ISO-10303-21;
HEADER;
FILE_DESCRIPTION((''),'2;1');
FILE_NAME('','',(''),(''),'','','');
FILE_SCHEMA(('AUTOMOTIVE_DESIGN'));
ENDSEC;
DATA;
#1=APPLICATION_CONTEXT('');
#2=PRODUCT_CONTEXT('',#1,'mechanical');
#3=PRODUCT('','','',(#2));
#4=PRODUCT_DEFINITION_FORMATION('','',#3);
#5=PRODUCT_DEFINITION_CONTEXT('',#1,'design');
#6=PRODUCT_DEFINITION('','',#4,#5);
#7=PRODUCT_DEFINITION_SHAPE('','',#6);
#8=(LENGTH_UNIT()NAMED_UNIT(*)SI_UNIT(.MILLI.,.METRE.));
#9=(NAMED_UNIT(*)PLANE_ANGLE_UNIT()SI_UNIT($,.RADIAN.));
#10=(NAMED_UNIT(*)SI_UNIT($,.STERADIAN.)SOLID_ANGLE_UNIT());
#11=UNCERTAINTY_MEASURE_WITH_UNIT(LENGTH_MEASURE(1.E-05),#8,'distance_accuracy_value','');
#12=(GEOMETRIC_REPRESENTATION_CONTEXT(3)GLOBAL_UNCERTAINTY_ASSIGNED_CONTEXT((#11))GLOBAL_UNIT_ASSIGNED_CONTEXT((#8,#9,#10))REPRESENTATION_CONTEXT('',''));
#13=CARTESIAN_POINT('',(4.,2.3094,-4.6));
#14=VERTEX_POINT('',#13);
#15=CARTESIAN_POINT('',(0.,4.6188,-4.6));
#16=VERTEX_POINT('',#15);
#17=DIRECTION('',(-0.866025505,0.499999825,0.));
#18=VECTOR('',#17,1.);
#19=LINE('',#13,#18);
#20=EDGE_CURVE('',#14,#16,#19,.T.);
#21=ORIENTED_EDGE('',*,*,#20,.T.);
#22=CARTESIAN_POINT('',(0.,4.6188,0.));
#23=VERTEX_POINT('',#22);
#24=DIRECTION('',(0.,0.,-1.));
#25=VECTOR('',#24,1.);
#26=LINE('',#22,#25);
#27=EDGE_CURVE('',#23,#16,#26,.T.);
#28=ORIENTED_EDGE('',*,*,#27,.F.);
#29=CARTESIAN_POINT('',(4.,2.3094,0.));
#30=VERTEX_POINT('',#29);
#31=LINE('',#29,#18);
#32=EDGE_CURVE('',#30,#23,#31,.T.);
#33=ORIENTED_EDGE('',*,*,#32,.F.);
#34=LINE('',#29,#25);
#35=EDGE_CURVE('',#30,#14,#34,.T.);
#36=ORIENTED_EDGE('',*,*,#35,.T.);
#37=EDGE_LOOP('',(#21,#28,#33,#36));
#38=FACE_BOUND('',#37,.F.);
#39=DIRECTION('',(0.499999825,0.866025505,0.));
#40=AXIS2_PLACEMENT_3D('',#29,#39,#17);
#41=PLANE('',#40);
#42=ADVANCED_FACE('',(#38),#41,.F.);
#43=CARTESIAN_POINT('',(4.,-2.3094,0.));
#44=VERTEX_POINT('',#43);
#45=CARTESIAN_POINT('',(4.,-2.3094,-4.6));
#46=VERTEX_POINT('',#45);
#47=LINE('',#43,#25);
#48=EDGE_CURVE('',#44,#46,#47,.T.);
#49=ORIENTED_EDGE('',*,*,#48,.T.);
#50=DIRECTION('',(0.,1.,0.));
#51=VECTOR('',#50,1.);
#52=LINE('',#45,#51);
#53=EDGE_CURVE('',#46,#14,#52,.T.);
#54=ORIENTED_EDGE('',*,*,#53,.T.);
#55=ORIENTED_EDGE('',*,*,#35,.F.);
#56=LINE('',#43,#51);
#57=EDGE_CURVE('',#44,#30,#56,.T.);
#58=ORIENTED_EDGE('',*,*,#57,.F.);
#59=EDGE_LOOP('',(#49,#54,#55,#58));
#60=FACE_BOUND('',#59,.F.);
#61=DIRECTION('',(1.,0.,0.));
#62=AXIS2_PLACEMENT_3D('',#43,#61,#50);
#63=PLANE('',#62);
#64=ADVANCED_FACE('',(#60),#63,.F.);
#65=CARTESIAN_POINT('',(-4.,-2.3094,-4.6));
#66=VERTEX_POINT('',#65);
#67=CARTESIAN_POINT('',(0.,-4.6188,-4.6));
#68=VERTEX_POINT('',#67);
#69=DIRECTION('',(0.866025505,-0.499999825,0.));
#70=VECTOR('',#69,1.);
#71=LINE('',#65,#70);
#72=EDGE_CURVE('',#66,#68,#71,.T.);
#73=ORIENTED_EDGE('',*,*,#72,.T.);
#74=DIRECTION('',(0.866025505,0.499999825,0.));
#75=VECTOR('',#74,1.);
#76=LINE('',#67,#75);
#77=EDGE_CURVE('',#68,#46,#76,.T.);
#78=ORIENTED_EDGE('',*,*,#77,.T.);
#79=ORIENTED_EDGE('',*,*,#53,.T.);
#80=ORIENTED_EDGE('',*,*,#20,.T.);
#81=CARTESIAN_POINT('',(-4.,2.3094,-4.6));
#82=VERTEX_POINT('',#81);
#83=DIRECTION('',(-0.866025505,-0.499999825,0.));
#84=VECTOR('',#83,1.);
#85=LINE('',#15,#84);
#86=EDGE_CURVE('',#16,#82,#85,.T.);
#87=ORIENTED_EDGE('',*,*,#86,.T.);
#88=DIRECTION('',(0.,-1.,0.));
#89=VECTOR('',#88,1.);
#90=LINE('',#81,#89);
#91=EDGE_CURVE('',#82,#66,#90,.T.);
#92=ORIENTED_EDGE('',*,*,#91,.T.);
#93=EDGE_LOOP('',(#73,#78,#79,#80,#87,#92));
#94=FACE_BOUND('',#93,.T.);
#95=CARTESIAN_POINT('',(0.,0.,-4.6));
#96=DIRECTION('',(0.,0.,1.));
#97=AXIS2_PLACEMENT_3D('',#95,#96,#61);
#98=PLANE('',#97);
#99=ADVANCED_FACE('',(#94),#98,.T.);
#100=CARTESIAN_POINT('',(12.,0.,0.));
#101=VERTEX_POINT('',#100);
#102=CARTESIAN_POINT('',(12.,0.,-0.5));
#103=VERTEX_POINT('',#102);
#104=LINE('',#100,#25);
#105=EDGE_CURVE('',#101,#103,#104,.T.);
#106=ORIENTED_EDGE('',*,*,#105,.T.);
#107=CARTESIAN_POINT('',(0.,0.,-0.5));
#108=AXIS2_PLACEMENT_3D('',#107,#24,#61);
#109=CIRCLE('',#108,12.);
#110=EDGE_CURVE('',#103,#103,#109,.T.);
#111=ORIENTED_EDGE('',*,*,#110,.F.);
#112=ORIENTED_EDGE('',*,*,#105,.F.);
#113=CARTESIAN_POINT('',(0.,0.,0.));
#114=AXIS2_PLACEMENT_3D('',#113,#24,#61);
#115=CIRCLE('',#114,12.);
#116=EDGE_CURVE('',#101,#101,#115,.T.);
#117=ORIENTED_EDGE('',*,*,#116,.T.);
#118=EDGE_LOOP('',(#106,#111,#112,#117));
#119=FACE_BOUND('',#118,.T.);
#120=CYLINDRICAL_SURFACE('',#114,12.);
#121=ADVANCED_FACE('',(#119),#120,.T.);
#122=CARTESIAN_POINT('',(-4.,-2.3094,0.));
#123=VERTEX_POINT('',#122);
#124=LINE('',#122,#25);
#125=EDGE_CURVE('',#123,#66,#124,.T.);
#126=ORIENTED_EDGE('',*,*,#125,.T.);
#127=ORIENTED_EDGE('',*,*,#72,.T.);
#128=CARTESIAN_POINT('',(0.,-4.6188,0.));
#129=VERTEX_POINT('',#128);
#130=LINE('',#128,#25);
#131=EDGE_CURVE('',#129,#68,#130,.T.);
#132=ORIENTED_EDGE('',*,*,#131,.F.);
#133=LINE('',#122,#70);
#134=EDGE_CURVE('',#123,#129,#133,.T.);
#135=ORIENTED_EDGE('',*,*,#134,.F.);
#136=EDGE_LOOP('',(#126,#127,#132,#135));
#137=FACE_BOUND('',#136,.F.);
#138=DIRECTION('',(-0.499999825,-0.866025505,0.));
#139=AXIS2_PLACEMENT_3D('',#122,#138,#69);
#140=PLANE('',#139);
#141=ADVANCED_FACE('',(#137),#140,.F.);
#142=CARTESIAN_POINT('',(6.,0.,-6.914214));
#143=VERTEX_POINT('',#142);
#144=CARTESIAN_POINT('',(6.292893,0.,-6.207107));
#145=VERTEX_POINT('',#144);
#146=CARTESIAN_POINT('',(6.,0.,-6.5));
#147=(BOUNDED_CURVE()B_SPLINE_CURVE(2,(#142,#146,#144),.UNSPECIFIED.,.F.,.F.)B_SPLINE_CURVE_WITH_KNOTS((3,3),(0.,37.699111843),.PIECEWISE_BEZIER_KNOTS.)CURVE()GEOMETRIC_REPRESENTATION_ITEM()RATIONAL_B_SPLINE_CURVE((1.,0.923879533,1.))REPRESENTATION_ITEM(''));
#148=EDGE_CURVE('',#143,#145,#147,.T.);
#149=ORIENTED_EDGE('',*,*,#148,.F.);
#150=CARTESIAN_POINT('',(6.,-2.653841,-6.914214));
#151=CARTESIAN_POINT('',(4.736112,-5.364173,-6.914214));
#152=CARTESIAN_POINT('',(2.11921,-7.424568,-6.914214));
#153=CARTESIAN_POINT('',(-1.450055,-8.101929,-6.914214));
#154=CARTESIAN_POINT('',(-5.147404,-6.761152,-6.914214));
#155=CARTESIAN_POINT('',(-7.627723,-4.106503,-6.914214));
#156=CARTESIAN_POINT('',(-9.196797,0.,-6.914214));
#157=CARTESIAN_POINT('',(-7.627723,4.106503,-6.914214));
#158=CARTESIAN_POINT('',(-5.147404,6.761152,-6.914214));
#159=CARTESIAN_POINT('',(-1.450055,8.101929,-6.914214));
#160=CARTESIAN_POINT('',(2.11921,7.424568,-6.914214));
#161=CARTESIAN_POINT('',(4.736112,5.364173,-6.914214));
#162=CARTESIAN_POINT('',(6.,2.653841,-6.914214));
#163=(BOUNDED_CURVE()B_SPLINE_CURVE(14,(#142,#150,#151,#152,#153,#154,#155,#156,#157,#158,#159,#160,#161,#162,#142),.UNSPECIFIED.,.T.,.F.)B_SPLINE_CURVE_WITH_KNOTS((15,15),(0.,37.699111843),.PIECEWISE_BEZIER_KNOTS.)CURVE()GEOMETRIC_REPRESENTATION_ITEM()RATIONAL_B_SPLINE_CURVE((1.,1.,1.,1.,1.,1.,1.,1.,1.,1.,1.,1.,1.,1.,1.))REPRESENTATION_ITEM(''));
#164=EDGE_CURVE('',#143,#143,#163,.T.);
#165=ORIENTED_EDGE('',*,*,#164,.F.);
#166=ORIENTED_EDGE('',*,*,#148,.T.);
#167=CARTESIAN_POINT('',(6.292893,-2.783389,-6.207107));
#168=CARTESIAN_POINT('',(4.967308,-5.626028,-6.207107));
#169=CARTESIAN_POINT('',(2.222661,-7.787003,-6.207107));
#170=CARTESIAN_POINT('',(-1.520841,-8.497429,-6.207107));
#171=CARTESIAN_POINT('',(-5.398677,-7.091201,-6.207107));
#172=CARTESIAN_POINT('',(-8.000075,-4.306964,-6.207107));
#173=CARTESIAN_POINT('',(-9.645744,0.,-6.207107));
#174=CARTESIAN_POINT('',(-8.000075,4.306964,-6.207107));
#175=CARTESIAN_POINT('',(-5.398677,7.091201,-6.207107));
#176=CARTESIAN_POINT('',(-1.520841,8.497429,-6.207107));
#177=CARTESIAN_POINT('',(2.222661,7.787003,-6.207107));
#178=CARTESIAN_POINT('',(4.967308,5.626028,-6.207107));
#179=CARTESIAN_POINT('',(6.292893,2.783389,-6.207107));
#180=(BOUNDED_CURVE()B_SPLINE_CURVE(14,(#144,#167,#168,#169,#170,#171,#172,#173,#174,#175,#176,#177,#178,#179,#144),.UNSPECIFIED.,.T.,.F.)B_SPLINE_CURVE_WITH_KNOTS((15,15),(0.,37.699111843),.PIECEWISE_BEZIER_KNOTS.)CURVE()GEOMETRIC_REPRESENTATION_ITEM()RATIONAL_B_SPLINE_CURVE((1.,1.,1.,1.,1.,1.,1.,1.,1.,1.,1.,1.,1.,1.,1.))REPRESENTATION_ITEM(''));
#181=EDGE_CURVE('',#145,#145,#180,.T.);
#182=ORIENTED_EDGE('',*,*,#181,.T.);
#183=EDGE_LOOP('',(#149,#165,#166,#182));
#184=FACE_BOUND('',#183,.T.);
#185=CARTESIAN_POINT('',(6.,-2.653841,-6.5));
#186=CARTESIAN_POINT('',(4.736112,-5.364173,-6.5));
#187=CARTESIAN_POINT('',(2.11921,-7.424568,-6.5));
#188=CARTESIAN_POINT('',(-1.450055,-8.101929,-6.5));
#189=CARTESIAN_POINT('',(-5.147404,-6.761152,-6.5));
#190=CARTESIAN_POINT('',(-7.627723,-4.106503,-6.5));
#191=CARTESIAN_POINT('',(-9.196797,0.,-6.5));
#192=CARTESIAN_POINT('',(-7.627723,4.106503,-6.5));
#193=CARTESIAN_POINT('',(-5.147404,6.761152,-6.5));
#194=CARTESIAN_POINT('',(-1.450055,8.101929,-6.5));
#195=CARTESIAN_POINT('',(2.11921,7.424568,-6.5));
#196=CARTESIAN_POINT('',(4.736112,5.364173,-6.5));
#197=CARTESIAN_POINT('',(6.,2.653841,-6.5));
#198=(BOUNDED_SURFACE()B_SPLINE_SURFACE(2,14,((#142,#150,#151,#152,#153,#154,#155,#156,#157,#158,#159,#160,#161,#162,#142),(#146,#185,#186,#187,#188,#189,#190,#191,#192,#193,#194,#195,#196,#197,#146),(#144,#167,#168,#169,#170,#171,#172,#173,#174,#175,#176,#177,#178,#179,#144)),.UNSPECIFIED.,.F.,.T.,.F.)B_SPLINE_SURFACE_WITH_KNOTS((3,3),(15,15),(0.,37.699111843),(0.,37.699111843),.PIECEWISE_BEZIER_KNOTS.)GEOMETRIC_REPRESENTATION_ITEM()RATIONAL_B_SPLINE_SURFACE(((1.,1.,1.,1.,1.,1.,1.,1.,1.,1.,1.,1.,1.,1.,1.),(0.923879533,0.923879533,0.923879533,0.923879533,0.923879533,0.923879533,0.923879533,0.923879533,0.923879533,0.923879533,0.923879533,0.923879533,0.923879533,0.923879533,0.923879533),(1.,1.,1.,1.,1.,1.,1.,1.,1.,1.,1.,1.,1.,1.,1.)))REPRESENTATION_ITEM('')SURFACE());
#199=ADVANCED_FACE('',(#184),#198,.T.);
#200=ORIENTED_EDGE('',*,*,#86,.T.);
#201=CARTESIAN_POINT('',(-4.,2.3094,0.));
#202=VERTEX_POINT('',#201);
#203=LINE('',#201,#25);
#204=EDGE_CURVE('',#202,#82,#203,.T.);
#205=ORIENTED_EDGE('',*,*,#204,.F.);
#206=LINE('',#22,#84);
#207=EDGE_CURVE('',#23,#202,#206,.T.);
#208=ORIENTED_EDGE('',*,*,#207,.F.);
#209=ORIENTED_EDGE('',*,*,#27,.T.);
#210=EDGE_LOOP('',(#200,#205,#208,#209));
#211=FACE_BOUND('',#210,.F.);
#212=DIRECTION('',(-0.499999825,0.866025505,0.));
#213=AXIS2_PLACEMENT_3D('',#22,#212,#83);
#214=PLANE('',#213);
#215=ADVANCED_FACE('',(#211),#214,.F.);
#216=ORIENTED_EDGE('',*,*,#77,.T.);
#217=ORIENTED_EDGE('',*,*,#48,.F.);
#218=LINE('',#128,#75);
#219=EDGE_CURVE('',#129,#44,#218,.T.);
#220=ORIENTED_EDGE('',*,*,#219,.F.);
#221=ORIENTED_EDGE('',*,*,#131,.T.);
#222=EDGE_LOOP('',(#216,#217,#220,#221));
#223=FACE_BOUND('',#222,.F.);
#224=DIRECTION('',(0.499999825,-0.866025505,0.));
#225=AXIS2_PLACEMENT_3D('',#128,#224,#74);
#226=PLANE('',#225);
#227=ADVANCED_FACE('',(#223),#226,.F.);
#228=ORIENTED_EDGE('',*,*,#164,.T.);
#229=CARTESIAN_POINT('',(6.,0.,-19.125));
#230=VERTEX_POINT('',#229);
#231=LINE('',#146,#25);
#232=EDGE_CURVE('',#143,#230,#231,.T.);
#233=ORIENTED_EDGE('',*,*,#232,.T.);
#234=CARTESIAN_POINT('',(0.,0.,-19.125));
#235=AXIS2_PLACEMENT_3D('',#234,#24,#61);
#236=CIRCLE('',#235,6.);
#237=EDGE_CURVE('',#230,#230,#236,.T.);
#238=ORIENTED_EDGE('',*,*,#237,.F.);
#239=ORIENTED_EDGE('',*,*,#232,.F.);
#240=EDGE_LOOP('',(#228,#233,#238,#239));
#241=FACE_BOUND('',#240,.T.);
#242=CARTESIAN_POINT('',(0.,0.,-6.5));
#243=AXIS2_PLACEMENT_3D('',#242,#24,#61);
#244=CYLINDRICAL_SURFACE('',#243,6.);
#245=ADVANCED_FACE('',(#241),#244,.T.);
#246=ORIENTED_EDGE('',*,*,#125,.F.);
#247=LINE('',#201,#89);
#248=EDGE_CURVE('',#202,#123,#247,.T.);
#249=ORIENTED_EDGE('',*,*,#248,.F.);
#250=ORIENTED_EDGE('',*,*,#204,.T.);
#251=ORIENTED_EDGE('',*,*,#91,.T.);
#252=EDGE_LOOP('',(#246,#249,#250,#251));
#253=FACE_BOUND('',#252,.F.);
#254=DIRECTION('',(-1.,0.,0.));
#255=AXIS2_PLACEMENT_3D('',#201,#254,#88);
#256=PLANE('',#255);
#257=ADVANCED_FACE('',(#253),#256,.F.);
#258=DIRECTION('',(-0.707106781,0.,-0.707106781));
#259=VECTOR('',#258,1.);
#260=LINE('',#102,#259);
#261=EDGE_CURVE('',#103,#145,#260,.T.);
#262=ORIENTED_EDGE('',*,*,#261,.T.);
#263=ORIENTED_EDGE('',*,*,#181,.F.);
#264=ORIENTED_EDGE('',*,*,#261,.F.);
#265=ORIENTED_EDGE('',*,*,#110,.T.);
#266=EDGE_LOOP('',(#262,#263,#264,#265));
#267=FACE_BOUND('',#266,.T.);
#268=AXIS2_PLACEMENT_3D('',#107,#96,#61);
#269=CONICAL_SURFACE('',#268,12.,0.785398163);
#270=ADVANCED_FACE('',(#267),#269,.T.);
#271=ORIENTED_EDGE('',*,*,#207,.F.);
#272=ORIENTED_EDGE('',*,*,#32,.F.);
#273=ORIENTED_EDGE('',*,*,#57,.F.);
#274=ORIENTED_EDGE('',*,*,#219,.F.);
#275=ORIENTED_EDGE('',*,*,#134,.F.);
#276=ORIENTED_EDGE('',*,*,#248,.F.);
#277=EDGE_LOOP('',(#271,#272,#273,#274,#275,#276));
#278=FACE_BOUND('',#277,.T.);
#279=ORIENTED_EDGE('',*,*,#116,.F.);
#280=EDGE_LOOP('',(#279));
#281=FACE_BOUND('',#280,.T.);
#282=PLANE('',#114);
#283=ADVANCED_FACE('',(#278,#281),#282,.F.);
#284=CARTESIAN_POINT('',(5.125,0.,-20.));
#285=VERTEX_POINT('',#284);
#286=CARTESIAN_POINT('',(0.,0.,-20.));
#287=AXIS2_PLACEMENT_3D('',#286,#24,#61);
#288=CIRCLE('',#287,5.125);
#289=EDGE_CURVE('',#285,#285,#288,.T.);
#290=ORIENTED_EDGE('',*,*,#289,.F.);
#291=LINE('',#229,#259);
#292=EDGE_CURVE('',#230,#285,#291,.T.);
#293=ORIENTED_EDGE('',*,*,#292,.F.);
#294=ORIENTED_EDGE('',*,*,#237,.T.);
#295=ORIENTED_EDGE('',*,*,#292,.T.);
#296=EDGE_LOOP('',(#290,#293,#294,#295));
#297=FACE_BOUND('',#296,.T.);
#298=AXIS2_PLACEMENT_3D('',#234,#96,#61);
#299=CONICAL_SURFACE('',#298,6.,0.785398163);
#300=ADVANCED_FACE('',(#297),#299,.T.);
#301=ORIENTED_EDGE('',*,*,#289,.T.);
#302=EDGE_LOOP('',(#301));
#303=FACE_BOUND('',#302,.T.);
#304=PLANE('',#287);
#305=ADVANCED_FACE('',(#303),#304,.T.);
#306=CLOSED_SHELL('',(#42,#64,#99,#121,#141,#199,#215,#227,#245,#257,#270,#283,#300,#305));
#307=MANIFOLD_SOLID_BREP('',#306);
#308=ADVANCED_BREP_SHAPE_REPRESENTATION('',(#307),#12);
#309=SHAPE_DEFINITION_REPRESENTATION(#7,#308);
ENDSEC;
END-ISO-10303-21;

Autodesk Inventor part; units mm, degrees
ref_plane "YZ Plane" through (0, 0, 0) normal (1, 0, 0) x (0, 1, 0)
sketch "Sketch1" plane through (0, 0, 0) normal (0, 1, 0) x (-1, 0, 0)
  point P0 (0, 0)
sketch "Sketch2" plane through (0, 0, 0) normal (0, 1, 0) x (-1, 0, 0)
  line L0 (-6, -20) -> (0, -20)
  line L1 (-6, -6.5) -> (-6, -20)
  line L2 (-12, -0.5) -> (-6, -6.5)
  line L3 (-12, 0) -> (-12, -0.5)
  line L4 (0, 0) -> (-12, 0)
  line L5 (0, -20) -> (0, 0)
  line L6 (0, -20) -> (0, 0)
  line L7 (0, -24) -> (0, 4) projected
  line L8 (2.4, 0) -> (-14.4, 0) projected
  dimension "d3" = 12
  dimension "d5" = 6
  dimension "d7" = 20
  dimension "ParC" = 0.5
  dimension "d22" = 0
  dimension "d23" = 0
  dimension "d43" = 45
revolve "Revolution1" add sketch "Sketch2" angle 360 about axis through (0, 0, -20) along (0, 0, -1)
sketch "Sketch3" plane through (0, 0, 0) normal (0, 0, 1) x (1, 0, 0)
  line L0 (-4, 2.3094) -> (-4, -2.3094)
  line L1 (0, 4.6188) -> (-4, 2.3094)
  line L2 (4, 2.3094) -> (0, 4.6188)
  line L3 (4, -2.3094) -> (4, 2.3094)
  line L4 (0, -4.6188) -> (4, -2.3094)
  line L5 (-4, -2.3094) -> (0, -4.6188)
  circle A0 centre (0, 0) radius 4 construction
  circle A1 centre (0, 0) radius 6 construction
  dimension "d11" = 8
  dimension "d13" = 120
  dimension "d15" = 120
extrude "Extrusion1" cut sketch "Sketch3" against normal blind 4.6
fillet "Fillet1" radius 1 1 edges at (-6, 0, -6.5)
chamfer "Chamfer1" distance 0.875 angle 45 1 edges at (-6, 0, -20) measured on face at (5.6201, 2.1011, -15.6381)
thread "Thread1" size "M12x1.75" class "6g" standard "ISO Metric profile" length 10
ref_plane "MSC_PF1" through (0, 0, 0) normal (1, 0, 0) x (0, 1, 0)
ref_plane "MSC_PT1" through (0, 0, 0) normal (0, 0, -1) x (-1, 0, 0)
equation "\"d18\" = r"
equation "\"d19\" = 0.5 * PTC"
equation "\"d39\" = 0.5 * PTC"
equation "\"d3\" = 0.5 * dk"
equation "\"d5\" = 0.5 * NND"
equation "\"d7\" = NLG"
equation "\"d43\" = 0.5 * ang"
equation "\"d11\" = ParS"
equation "\"d16\" = ParT"
equation "\"NND\" = 12"
equation "\"PTC\" = 1.75"
equation "\"dk\" = 24"
equation "\"ParK\" = 6.5"
equation "\"ParS\" = 8"
equation "\"ParT\" = 4.6"
equation "\"r\" = 1"
equation "\"NLG\" = 20"
equation "\"ang\" = 90deg"
equation "\"THREADDIA\" = NND"
properties part number "DIN 7991 - M12x20" material "Steel, Mild"
